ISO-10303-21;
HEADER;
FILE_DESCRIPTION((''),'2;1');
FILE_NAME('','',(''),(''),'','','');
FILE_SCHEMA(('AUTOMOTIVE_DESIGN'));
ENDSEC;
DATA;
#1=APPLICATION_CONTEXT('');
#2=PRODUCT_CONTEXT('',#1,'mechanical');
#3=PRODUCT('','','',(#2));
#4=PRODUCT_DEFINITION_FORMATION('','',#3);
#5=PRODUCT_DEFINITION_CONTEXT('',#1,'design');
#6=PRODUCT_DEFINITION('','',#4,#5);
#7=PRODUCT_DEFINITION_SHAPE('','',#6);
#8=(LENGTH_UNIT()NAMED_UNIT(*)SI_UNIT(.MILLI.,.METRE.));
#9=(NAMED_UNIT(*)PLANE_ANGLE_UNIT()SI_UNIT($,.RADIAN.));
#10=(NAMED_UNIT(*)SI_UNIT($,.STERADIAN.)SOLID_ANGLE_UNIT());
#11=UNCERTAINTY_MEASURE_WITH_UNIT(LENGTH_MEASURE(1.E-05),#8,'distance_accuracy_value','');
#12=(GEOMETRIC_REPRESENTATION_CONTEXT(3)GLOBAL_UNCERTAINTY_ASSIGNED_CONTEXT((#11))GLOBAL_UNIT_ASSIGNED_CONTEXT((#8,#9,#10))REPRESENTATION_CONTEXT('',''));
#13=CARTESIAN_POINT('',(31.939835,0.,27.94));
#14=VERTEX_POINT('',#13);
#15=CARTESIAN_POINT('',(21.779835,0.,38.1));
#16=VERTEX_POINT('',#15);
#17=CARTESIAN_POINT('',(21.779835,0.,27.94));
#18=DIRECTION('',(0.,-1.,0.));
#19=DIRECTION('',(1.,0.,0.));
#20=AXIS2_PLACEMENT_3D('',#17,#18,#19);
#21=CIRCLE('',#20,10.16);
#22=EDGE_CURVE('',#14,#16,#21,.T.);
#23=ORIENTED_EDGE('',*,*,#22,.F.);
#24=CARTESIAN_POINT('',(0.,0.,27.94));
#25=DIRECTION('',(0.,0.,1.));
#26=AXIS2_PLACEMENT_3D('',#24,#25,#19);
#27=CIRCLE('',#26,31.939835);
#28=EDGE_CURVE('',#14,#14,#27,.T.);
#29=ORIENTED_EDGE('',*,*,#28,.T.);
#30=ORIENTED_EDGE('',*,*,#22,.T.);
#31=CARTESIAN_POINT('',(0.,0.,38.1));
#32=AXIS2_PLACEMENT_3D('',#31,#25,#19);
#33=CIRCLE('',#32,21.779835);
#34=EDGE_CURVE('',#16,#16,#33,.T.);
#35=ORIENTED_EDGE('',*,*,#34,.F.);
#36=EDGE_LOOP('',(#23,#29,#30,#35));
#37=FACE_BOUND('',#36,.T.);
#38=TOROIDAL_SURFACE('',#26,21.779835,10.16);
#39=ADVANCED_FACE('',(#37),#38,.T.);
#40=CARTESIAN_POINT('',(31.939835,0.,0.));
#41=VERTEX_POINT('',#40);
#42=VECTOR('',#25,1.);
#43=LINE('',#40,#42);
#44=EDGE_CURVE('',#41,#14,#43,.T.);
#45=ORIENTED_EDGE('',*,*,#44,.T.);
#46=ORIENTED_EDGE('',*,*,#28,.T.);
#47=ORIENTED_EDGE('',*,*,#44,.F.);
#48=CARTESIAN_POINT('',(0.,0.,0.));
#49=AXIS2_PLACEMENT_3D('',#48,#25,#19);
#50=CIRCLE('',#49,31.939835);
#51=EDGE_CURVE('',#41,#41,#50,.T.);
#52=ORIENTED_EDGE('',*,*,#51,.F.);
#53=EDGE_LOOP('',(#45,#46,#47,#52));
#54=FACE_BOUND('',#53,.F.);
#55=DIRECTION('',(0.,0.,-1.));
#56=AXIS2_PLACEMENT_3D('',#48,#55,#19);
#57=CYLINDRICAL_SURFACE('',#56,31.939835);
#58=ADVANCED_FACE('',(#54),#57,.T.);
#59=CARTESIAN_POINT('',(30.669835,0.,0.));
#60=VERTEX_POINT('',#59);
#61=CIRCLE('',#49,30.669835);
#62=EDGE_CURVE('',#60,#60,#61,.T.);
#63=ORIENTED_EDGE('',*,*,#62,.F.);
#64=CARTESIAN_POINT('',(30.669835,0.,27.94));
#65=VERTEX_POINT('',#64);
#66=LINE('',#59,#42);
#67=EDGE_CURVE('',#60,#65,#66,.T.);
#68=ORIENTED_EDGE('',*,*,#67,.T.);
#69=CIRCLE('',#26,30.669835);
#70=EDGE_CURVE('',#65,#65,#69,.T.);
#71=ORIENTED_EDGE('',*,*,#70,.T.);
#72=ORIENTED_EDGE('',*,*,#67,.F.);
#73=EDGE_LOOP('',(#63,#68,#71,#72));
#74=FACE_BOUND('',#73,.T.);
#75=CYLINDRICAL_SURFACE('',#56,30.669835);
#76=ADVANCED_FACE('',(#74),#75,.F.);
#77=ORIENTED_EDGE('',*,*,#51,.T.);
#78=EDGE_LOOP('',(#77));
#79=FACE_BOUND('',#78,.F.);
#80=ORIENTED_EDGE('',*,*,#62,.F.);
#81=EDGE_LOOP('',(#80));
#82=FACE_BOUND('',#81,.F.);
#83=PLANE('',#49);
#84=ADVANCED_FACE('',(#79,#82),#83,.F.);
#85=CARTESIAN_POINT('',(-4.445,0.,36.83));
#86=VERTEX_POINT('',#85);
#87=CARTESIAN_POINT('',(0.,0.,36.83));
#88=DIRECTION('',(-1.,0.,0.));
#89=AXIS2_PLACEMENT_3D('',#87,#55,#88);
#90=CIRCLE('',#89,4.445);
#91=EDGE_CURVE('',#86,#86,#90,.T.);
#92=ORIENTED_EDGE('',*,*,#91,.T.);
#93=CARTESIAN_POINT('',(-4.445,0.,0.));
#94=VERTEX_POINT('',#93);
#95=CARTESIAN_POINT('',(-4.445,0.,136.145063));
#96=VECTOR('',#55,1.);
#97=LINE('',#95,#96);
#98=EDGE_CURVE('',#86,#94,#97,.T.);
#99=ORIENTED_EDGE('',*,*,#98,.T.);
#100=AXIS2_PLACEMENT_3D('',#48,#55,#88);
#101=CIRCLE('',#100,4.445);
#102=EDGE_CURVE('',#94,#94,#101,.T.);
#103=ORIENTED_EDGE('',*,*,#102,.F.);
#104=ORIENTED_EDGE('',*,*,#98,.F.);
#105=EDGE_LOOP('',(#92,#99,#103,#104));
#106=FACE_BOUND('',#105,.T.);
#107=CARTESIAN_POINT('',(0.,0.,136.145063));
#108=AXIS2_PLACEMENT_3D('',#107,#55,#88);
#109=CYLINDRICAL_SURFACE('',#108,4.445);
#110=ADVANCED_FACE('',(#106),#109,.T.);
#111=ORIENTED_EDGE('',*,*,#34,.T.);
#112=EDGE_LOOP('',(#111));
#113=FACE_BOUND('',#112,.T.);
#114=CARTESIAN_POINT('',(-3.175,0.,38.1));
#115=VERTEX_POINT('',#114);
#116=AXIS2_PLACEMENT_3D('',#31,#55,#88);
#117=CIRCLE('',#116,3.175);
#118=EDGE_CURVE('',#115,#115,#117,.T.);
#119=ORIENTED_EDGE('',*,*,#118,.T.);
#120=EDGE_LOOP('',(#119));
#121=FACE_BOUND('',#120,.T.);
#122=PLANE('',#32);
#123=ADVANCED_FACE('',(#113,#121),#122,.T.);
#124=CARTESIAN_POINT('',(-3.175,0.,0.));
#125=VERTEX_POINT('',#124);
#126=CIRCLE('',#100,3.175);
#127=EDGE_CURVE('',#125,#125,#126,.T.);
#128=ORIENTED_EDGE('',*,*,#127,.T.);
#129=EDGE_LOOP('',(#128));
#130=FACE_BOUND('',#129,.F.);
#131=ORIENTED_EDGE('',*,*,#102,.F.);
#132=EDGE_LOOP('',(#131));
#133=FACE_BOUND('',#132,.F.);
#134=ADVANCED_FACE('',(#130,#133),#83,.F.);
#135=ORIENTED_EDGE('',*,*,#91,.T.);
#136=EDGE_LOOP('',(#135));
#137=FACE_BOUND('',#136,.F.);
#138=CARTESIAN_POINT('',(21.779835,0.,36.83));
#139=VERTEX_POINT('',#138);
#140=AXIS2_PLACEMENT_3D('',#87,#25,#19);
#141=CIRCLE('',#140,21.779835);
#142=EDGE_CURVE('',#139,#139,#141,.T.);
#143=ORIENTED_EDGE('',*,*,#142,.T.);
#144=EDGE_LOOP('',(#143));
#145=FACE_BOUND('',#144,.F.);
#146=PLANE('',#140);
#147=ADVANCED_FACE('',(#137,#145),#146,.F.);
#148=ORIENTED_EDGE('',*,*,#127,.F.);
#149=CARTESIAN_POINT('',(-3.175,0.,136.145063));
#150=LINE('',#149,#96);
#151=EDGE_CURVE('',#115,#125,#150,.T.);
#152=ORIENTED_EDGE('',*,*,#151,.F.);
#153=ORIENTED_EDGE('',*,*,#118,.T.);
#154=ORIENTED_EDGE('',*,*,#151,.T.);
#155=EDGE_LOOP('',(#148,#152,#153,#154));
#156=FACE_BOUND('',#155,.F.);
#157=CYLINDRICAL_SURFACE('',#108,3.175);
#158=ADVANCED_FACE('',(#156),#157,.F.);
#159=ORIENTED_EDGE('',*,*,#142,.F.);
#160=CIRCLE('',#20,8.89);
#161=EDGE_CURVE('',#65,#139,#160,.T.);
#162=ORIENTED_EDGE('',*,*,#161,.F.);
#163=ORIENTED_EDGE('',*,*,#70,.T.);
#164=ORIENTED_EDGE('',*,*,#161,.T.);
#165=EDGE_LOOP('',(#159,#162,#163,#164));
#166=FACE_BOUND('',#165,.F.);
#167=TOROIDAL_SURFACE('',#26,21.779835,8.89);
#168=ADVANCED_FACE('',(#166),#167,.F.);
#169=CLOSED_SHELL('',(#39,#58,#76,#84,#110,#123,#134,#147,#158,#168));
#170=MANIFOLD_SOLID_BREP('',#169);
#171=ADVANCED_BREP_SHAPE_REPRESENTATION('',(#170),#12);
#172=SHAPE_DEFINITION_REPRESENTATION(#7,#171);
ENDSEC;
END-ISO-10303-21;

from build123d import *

# Parameters (mm, degrees)
F0_R     = 31.9398349348
F1_DEPTH = 38.1
F2_R     = 10.16
F4_D     = 6.35
F5_T     = -1.27


with BuildPart() as f1:
    # F0 (on Top) → F1 (new body)
    with BuildSketch(Plane.XY):
        Circle(F0_R)
    extrude(amount=F1_DEPTH)

    # F2
    f2_edges = [f1.edges().sort_by_distance(p)[0] for p in [
        (-31.939835, 0, 38.1),
    ]]
    fillet(f2_edges, radius=F2_R)

    # F4 (through all)
    with Locations(Plane.XY.offset(38.1)):
        with Locations((0, 0)):
            Hole(F4_D / 2)

    # F5
    f5_openings = [f1.faces().sort_by_distance(p)[0] for p in [
        (-31.03644, 0, 0),
    ]]
    offset(amount=F5_T, openings=f5_openings)


solid = f1.part
